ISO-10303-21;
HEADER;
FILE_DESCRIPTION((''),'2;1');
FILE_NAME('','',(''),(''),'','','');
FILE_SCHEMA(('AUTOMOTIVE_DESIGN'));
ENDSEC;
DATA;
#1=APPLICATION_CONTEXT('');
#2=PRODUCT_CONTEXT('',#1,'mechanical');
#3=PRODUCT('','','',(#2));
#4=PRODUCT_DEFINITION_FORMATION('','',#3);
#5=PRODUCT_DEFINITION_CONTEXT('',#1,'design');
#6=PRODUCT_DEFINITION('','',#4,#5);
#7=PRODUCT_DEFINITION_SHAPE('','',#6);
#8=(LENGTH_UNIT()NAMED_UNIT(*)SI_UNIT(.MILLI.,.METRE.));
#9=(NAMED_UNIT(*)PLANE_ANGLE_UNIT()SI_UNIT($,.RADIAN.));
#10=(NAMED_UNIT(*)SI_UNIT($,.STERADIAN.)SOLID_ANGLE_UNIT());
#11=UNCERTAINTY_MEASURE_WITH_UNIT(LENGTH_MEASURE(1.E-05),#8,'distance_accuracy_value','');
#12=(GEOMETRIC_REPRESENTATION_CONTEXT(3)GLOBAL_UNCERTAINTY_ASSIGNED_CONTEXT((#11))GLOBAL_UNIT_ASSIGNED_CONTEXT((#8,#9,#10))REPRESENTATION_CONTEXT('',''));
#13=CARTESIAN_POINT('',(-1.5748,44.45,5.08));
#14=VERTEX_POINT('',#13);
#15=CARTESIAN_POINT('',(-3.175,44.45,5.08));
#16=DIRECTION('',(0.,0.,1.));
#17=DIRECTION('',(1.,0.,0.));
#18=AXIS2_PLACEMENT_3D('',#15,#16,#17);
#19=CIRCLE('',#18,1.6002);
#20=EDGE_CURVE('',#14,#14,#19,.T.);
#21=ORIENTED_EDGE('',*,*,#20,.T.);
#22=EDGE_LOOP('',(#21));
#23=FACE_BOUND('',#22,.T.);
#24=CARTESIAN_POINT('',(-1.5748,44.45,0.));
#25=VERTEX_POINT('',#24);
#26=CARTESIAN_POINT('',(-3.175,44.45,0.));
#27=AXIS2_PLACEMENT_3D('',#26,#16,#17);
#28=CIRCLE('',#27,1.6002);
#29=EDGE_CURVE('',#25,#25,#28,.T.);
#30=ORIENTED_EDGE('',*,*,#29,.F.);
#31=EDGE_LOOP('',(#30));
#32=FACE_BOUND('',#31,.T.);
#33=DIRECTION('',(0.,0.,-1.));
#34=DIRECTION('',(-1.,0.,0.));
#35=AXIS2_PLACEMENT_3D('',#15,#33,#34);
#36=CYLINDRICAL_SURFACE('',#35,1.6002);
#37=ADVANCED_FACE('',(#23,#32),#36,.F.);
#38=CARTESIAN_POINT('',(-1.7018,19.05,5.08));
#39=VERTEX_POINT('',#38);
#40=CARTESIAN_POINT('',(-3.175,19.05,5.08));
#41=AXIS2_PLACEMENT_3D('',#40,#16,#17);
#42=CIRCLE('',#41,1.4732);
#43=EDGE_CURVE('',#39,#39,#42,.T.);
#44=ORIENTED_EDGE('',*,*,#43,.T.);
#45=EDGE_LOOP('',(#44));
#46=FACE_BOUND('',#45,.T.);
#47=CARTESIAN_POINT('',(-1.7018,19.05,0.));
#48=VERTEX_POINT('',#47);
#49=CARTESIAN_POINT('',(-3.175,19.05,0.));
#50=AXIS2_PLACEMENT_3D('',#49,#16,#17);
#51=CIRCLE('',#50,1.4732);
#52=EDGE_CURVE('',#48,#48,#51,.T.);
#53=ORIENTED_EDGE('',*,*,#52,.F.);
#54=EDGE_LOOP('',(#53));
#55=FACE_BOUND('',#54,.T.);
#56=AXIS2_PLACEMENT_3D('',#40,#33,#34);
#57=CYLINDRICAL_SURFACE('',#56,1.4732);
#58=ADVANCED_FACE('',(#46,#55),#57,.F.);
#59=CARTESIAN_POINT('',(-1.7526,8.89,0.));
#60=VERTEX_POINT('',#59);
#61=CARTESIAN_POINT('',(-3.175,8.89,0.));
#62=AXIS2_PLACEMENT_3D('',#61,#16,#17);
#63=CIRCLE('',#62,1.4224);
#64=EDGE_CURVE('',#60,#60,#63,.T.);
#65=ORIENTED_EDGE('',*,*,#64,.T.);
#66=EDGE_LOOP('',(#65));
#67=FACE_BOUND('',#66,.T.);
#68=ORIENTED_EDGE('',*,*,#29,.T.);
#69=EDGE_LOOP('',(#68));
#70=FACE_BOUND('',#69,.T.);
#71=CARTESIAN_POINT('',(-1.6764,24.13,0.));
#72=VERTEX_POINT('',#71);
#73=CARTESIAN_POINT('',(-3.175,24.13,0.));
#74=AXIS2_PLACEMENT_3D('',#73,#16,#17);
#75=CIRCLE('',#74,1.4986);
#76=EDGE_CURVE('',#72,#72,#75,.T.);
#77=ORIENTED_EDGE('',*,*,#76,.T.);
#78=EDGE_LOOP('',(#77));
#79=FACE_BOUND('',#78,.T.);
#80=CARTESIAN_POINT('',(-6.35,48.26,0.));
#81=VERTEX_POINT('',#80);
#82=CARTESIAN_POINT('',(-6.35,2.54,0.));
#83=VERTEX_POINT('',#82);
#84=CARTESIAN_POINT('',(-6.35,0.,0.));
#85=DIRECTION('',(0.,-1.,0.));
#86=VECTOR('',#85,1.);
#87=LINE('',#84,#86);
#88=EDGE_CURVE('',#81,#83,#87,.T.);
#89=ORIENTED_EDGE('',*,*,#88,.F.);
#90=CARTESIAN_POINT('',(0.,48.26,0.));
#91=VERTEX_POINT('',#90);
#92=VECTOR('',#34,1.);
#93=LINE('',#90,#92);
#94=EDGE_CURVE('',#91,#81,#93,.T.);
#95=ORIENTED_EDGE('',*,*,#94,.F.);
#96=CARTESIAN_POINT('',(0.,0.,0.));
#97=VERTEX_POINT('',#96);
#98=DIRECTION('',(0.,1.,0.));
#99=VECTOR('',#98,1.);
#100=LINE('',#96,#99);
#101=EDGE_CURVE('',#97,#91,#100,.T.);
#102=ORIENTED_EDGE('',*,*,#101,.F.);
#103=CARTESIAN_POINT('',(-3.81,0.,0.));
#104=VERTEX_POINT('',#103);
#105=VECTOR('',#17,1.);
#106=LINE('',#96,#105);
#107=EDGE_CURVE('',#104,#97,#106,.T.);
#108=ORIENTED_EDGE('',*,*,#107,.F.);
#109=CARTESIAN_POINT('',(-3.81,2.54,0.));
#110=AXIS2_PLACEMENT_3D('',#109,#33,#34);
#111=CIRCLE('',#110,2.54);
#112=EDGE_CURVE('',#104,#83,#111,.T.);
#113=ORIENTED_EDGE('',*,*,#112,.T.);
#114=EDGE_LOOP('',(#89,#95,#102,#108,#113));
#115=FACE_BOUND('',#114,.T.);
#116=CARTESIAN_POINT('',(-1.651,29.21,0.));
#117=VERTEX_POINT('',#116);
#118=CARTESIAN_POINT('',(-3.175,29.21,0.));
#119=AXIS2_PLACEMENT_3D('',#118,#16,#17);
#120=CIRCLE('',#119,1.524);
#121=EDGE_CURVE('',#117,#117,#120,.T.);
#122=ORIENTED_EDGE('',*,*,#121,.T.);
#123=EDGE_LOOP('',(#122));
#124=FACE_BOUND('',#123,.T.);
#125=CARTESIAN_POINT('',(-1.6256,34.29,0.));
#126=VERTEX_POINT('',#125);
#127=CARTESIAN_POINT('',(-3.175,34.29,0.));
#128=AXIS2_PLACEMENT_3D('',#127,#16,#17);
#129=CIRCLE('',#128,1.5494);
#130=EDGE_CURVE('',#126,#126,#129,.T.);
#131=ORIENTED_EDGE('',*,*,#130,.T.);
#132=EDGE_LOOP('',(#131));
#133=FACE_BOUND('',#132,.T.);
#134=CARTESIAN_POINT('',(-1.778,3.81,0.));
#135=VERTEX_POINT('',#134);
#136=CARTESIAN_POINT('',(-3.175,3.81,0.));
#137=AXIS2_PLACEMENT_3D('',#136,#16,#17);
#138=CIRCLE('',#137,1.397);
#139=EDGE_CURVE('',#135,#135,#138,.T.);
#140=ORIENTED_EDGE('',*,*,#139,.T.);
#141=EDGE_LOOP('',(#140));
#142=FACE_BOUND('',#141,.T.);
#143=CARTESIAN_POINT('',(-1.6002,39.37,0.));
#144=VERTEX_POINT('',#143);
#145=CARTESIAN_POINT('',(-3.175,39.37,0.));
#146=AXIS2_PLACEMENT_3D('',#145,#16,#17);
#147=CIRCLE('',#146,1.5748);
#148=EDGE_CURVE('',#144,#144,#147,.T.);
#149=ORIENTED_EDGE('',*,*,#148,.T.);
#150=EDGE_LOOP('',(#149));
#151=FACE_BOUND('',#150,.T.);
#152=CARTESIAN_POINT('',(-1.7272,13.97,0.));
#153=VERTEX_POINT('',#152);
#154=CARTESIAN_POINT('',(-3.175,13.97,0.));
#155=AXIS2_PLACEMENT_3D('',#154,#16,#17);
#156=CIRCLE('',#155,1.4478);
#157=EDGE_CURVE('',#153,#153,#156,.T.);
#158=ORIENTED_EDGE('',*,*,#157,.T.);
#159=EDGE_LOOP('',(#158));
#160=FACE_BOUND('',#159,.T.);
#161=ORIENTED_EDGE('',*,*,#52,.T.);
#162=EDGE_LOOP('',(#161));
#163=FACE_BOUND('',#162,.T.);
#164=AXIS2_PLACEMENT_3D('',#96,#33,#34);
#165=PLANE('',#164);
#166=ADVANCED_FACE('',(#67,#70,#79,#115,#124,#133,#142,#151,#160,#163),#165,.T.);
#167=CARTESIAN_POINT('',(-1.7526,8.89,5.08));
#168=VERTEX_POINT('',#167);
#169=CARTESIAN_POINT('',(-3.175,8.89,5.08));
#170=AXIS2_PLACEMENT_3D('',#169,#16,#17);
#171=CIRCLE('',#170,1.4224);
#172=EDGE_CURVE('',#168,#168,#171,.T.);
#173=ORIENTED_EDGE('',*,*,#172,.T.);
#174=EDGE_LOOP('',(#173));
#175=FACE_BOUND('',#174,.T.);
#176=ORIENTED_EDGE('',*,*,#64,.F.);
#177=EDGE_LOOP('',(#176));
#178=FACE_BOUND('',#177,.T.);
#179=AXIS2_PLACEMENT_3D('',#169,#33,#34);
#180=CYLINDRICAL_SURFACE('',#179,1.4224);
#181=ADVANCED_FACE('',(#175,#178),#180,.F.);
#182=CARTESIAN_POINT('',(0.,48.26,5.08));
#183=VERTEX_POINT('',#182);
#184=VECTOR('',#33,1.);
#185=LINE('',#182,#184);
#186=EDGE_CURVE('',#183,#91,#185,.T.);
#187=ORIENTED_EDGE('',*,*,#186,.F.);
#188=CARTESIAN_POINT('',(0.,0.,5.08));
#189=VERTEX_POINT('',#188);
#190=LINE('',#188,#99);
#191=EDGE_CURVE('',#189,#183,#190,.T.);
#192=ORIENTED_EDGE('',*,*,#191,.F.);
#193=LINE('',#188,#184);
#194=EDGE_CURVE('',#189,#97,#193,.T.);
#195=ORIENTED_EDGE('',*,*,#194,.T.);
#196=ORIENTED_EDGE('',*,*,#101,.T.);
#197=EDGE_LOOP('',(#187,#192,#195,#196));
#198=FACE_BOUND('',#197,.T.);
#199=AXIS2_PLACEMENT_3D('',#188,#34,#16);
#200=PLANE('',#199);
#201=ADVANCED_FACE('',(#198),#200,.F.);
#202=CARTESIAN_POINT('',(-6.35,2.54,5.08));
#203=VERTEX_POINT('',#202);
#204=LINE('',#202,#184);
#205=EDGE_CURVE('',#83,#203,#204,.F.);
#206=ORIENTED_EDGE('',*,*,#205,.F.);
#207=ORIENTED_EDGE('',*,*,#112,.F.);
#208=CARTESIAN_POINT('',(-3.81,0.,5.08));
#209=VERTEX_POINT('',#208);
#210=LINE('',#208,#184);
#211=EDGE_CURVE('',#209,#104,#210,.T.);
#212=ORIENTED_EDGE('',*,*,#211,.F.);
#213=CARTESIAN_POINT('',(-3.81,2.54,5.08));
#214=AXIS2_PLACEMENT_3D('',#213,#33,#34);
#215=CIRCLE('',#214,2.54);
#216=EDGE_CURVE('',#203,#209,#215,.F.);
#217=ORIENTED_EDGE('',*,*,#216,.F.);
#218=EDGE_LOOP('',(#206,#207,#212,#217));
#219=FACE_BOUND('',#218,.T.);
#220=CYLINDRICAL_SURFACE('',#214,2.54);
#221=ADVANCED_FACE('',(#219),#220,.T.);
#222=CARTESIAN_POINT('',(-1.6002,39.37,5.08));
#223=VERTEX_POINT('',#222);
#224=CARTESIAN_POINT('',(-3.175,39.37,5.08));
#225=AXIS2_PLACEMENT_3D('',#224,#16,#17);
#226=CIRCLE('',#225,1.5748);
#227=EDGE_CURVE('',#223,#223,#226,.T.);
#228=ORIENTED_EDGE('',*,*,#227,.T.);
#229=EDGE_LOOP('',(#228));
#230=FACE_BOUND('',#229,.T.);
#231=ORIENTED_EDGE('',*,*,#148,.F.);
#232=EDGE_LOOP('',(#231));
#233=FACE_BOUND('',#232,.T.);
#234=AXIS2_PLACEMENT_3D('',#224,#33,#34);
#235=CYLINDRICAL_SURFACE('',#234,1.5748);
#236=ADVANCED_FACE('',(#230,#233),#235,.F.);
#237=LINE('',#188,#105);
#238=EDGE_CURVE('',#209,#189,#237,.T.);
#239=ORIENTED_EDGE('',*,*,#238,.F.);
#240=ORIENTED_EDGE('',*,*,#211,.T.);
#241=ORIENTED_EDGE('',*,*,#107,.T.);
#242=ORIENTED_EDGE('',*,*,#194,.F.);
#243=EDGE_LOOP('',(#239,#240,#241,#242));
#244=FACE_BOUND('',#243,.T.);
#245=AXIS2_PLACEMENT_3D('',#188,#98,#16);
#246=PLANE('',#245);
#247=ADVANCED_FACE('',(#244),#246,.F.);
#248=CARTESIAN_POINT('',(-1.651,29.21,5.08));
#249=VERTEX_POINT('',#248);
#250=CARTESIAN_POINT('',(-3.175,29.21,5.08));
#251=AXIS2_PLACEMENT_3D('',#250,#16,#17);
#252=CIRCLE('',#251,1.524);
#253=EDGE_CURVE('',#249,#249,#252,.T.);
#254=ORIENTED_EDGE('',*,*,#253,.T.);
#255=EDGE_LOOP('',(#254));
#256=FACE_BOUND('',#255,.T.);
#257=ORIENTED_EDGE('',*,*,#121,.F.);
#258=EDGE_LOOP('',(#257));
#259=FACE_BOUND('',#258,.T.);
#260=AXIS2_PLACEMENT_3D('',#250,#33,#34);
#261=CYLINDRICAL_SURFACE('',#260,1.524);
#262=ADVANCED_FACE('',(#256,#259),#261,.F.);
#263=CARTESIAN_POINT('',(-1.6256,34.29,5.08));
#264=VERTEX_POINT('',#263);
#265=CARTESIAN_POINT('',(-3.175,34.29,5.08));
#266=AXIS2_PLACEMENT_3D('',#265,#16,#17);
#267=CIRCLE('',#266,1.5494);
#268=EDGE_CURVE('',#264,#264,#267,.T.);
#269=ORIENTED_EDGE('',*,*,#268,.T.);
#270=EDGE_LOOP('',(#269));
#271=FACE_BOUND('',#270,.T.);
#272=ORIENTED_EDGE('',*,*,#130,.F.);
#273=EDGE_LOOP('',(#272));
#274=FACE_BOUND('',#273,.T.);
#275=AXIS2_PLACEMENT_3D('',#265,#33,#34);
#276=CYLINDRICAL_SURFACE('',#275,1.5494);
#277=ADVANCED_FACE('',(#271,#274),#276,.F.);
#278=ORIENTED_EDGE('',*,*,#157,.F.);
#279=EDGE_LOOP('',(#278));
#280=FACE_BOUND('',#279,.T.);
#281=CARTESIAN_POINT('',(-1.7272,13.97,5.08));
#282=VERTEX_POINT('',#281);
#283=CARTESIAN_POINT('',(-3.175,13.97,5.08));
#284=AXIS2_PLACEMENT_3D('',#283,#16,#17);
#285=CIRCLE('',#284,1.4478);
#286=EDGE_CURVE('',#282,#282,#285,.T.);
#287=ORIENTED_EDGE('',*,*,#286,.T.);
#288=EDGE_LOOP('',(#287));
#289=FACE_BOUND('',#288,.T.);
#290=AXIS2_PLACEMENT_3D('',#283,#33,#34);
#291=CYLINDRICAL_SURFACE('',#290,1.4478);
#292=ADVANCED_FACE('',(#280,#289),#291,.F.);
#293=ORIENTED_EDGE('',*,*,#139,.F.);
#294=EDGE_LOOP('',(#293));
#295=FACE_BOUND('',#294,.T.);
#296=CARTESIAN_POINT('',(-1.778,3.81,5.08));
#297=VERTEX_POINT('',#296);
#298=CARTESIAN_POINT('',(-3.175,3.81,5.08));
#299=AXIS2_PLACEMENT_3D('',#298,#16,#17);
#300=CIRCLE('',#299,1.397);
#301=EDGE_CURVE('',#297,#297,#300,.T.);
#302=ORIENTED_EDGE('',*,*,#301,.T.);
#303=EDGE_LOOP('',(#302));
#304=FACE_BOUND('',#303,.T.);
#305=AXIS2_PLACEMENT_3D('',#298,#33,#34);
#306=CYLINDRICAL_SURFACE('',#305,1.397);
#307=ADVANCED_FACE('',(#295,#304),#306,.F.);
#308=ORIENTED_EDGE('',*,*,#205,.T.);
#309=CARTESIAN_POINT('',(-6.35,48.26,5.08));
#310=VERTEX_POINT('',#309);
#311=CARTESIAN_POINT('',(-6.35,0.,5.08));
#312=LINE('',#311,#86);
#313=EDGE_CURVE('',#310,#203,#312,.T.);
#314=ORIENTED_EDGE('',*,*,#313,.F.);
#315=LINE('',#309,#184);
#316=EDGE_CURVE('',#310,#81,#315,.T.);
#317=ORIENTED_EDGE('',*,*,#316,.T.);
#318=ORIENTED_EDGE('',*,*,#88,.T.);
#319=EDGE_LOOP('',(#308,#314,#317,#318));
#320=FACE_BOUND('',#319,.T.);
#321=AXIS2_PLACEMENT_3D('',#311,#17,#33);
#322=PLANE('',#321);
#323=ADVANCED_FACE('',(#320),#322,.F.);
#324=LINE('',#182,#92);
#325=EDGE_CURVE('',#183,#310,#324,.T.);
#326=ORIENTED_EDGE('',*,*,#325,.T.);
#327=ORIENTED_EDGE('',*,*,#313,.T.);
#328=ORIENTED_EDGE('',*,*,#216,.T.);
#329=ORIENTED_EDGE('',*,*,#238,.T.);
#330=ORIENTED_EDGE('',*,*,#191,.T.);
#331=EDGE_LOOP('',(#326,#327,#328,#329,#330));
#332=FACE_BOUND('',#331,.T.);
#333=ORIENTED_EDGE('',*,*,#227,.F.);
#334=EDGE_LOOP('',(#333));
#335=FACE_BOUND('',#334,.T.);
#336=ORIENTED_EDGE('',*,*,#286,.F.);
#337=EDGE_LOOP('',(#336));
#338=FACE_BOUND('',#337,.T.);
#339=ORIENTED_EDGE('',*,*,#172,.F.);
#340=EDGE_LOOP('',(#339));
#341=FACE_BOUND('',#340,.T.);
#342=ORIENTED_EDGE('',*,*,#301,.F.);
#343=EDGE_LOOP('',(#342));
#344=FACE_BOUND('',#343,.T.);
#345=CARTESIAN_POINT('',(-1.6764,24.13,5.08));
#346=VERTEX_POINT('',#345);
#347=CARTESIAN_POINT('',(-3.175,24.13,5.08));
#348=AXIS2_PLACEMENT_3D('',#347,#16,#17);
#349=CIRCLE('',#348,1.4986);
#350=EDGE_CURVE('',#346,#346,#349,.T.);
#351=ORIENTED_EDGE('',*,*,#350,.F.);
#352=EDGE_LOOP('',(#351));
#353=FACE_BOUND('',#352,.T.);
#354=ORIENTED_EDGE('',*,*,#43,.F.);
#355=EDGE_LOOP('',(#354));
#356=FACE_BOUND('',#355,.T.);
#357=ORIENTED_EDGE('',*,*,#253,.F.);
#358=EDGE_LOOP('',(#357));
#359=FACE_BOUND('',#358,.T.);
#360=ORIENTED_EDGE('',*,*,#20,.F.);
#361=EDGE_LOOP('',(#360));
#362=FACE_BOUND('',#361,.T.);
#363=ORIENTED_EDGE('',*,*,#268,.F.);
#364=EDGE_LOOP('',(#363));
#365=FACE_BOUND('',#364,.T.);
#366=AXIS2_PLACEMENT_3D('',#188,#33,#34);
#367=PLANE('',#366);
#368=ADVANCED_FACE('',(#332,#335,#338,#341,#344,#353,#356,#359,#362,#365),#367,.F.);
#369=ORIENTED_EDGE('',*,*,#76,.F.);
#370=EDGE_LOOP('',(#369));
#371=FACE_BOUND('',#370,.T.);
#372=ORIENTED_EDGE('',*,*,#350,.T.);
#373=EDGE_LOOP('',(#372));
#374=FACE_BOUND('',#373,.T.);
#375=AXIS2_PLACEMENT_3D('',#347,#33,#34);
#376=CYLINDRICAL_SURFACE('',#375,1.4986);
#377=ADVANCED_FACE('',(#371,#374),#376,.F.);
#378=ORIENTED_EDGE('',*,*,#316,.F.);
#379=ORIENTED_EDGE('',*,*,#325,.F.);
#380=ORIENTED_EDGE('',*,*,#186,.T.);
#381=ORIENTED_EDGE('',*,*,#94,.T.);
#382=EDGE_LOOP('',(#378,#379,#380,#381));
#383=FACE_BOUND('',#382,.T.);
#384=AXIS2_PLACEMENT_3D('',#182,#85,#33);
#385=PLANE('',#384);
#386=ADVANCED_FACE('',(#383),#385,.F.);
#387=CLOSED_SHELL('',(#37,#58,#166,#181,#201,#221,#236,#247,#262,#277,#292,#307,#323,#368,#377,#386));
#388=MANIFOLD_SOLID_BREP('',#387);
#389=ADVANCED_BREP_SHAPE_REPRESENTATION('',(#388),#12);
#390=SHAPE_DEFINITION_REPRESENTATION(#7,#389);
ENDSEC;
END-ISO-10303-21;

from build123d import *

# Parameters (mm, degrees)
SKETCH1_W           = 48.26
SKETCH1_H           = 6.35
SKETCH1_R           = 1.397
SKETCH1_R_2         = 1.4224
SKETCH1_R_3         = 1.4478
SKETCH1_R_4         = 1.4732
SKETCH1_R_5         = 1.4986
SKETCH1_R_6         = 1.524
SKETCH1_R_7         = 1.5494
SKETCH1_R_8         = 1.5748
SKETCH1_R_9         = 1.6002
BOSS_EXTRUDE1_DEPTH = 5.08
FILLET1_R           = 2.54


with BuildPart() as part:
    # Sketch1 → Boss-Extrude1 (new body)
    with BuildSketch(Plane(origin=(0, 0, 0), x_dir=(0, 1, 0), z_dir=(0, 0, 1))):
        with Locations((24.13, 3.175)):
            Rectangle(SKETCH1_W, SKETCH1_H)
        with Locations(Location((3.81, 3.175, 0), (0, 0, 270))):
            Circle(SKETCH1_R, mode=Mode.SUBTRACT)
        with Locations(Location((8.89, 3.175, 0), (0, 0, 270))):
            Circle(SKETCH1_R_2, mode=Mode.SUBTRACT)
        with Locations(Location((13.97, 3.175, 0), (0, 0, 270))):
            Circle(SKETCH1_R_3, mode=Mode.SUBTRACT)
        with Locations(Location((19.05, 3.175, 0), (0, 0, 270))):
            Circle(SKETCH1_R_4, mode=Mode.SUBTRACT)
        with Locations(Location((24.13, 3.175, 0), (0, 0, 270))):
            Circle(SKETCH1_R_5, mode=Mode.SUBTRACT)
        with Locations(Location((29.21, 3.175, 0), (0, 0, 270))):
            Circle(SKETCH1_R_6, mode=Mode.SUBTRACT)
        with Locations(Location((34.29, 3.175, 0), (0, 0, 270))):
            Circle(SKETCH1_R_7, mode=Mode.SUBTRACT)
        with Locations(Location((39.37, 3.175, 0), (0, 0, 270))):
            Circle(SKETCH1_R_8, mode=Mode.SUBTRACT)
        with Locations(Location((44.45, 3.175, 0), (0, 0, 270))):
            Circle(SKETCH1_R_9, mode=Mode.SUBTRACT)
    extrude(amount=BOSS_EXTRUDE1_DEPTH)

    # Fillet1
    fillet1_edges = [part.edges().sort_by_distance(p)[0] for p in [
        (-6.35, 0, 2.54),
    ]]
    fillet(fillet1_edges, radius=FILLET1_R)


solid = part.part
